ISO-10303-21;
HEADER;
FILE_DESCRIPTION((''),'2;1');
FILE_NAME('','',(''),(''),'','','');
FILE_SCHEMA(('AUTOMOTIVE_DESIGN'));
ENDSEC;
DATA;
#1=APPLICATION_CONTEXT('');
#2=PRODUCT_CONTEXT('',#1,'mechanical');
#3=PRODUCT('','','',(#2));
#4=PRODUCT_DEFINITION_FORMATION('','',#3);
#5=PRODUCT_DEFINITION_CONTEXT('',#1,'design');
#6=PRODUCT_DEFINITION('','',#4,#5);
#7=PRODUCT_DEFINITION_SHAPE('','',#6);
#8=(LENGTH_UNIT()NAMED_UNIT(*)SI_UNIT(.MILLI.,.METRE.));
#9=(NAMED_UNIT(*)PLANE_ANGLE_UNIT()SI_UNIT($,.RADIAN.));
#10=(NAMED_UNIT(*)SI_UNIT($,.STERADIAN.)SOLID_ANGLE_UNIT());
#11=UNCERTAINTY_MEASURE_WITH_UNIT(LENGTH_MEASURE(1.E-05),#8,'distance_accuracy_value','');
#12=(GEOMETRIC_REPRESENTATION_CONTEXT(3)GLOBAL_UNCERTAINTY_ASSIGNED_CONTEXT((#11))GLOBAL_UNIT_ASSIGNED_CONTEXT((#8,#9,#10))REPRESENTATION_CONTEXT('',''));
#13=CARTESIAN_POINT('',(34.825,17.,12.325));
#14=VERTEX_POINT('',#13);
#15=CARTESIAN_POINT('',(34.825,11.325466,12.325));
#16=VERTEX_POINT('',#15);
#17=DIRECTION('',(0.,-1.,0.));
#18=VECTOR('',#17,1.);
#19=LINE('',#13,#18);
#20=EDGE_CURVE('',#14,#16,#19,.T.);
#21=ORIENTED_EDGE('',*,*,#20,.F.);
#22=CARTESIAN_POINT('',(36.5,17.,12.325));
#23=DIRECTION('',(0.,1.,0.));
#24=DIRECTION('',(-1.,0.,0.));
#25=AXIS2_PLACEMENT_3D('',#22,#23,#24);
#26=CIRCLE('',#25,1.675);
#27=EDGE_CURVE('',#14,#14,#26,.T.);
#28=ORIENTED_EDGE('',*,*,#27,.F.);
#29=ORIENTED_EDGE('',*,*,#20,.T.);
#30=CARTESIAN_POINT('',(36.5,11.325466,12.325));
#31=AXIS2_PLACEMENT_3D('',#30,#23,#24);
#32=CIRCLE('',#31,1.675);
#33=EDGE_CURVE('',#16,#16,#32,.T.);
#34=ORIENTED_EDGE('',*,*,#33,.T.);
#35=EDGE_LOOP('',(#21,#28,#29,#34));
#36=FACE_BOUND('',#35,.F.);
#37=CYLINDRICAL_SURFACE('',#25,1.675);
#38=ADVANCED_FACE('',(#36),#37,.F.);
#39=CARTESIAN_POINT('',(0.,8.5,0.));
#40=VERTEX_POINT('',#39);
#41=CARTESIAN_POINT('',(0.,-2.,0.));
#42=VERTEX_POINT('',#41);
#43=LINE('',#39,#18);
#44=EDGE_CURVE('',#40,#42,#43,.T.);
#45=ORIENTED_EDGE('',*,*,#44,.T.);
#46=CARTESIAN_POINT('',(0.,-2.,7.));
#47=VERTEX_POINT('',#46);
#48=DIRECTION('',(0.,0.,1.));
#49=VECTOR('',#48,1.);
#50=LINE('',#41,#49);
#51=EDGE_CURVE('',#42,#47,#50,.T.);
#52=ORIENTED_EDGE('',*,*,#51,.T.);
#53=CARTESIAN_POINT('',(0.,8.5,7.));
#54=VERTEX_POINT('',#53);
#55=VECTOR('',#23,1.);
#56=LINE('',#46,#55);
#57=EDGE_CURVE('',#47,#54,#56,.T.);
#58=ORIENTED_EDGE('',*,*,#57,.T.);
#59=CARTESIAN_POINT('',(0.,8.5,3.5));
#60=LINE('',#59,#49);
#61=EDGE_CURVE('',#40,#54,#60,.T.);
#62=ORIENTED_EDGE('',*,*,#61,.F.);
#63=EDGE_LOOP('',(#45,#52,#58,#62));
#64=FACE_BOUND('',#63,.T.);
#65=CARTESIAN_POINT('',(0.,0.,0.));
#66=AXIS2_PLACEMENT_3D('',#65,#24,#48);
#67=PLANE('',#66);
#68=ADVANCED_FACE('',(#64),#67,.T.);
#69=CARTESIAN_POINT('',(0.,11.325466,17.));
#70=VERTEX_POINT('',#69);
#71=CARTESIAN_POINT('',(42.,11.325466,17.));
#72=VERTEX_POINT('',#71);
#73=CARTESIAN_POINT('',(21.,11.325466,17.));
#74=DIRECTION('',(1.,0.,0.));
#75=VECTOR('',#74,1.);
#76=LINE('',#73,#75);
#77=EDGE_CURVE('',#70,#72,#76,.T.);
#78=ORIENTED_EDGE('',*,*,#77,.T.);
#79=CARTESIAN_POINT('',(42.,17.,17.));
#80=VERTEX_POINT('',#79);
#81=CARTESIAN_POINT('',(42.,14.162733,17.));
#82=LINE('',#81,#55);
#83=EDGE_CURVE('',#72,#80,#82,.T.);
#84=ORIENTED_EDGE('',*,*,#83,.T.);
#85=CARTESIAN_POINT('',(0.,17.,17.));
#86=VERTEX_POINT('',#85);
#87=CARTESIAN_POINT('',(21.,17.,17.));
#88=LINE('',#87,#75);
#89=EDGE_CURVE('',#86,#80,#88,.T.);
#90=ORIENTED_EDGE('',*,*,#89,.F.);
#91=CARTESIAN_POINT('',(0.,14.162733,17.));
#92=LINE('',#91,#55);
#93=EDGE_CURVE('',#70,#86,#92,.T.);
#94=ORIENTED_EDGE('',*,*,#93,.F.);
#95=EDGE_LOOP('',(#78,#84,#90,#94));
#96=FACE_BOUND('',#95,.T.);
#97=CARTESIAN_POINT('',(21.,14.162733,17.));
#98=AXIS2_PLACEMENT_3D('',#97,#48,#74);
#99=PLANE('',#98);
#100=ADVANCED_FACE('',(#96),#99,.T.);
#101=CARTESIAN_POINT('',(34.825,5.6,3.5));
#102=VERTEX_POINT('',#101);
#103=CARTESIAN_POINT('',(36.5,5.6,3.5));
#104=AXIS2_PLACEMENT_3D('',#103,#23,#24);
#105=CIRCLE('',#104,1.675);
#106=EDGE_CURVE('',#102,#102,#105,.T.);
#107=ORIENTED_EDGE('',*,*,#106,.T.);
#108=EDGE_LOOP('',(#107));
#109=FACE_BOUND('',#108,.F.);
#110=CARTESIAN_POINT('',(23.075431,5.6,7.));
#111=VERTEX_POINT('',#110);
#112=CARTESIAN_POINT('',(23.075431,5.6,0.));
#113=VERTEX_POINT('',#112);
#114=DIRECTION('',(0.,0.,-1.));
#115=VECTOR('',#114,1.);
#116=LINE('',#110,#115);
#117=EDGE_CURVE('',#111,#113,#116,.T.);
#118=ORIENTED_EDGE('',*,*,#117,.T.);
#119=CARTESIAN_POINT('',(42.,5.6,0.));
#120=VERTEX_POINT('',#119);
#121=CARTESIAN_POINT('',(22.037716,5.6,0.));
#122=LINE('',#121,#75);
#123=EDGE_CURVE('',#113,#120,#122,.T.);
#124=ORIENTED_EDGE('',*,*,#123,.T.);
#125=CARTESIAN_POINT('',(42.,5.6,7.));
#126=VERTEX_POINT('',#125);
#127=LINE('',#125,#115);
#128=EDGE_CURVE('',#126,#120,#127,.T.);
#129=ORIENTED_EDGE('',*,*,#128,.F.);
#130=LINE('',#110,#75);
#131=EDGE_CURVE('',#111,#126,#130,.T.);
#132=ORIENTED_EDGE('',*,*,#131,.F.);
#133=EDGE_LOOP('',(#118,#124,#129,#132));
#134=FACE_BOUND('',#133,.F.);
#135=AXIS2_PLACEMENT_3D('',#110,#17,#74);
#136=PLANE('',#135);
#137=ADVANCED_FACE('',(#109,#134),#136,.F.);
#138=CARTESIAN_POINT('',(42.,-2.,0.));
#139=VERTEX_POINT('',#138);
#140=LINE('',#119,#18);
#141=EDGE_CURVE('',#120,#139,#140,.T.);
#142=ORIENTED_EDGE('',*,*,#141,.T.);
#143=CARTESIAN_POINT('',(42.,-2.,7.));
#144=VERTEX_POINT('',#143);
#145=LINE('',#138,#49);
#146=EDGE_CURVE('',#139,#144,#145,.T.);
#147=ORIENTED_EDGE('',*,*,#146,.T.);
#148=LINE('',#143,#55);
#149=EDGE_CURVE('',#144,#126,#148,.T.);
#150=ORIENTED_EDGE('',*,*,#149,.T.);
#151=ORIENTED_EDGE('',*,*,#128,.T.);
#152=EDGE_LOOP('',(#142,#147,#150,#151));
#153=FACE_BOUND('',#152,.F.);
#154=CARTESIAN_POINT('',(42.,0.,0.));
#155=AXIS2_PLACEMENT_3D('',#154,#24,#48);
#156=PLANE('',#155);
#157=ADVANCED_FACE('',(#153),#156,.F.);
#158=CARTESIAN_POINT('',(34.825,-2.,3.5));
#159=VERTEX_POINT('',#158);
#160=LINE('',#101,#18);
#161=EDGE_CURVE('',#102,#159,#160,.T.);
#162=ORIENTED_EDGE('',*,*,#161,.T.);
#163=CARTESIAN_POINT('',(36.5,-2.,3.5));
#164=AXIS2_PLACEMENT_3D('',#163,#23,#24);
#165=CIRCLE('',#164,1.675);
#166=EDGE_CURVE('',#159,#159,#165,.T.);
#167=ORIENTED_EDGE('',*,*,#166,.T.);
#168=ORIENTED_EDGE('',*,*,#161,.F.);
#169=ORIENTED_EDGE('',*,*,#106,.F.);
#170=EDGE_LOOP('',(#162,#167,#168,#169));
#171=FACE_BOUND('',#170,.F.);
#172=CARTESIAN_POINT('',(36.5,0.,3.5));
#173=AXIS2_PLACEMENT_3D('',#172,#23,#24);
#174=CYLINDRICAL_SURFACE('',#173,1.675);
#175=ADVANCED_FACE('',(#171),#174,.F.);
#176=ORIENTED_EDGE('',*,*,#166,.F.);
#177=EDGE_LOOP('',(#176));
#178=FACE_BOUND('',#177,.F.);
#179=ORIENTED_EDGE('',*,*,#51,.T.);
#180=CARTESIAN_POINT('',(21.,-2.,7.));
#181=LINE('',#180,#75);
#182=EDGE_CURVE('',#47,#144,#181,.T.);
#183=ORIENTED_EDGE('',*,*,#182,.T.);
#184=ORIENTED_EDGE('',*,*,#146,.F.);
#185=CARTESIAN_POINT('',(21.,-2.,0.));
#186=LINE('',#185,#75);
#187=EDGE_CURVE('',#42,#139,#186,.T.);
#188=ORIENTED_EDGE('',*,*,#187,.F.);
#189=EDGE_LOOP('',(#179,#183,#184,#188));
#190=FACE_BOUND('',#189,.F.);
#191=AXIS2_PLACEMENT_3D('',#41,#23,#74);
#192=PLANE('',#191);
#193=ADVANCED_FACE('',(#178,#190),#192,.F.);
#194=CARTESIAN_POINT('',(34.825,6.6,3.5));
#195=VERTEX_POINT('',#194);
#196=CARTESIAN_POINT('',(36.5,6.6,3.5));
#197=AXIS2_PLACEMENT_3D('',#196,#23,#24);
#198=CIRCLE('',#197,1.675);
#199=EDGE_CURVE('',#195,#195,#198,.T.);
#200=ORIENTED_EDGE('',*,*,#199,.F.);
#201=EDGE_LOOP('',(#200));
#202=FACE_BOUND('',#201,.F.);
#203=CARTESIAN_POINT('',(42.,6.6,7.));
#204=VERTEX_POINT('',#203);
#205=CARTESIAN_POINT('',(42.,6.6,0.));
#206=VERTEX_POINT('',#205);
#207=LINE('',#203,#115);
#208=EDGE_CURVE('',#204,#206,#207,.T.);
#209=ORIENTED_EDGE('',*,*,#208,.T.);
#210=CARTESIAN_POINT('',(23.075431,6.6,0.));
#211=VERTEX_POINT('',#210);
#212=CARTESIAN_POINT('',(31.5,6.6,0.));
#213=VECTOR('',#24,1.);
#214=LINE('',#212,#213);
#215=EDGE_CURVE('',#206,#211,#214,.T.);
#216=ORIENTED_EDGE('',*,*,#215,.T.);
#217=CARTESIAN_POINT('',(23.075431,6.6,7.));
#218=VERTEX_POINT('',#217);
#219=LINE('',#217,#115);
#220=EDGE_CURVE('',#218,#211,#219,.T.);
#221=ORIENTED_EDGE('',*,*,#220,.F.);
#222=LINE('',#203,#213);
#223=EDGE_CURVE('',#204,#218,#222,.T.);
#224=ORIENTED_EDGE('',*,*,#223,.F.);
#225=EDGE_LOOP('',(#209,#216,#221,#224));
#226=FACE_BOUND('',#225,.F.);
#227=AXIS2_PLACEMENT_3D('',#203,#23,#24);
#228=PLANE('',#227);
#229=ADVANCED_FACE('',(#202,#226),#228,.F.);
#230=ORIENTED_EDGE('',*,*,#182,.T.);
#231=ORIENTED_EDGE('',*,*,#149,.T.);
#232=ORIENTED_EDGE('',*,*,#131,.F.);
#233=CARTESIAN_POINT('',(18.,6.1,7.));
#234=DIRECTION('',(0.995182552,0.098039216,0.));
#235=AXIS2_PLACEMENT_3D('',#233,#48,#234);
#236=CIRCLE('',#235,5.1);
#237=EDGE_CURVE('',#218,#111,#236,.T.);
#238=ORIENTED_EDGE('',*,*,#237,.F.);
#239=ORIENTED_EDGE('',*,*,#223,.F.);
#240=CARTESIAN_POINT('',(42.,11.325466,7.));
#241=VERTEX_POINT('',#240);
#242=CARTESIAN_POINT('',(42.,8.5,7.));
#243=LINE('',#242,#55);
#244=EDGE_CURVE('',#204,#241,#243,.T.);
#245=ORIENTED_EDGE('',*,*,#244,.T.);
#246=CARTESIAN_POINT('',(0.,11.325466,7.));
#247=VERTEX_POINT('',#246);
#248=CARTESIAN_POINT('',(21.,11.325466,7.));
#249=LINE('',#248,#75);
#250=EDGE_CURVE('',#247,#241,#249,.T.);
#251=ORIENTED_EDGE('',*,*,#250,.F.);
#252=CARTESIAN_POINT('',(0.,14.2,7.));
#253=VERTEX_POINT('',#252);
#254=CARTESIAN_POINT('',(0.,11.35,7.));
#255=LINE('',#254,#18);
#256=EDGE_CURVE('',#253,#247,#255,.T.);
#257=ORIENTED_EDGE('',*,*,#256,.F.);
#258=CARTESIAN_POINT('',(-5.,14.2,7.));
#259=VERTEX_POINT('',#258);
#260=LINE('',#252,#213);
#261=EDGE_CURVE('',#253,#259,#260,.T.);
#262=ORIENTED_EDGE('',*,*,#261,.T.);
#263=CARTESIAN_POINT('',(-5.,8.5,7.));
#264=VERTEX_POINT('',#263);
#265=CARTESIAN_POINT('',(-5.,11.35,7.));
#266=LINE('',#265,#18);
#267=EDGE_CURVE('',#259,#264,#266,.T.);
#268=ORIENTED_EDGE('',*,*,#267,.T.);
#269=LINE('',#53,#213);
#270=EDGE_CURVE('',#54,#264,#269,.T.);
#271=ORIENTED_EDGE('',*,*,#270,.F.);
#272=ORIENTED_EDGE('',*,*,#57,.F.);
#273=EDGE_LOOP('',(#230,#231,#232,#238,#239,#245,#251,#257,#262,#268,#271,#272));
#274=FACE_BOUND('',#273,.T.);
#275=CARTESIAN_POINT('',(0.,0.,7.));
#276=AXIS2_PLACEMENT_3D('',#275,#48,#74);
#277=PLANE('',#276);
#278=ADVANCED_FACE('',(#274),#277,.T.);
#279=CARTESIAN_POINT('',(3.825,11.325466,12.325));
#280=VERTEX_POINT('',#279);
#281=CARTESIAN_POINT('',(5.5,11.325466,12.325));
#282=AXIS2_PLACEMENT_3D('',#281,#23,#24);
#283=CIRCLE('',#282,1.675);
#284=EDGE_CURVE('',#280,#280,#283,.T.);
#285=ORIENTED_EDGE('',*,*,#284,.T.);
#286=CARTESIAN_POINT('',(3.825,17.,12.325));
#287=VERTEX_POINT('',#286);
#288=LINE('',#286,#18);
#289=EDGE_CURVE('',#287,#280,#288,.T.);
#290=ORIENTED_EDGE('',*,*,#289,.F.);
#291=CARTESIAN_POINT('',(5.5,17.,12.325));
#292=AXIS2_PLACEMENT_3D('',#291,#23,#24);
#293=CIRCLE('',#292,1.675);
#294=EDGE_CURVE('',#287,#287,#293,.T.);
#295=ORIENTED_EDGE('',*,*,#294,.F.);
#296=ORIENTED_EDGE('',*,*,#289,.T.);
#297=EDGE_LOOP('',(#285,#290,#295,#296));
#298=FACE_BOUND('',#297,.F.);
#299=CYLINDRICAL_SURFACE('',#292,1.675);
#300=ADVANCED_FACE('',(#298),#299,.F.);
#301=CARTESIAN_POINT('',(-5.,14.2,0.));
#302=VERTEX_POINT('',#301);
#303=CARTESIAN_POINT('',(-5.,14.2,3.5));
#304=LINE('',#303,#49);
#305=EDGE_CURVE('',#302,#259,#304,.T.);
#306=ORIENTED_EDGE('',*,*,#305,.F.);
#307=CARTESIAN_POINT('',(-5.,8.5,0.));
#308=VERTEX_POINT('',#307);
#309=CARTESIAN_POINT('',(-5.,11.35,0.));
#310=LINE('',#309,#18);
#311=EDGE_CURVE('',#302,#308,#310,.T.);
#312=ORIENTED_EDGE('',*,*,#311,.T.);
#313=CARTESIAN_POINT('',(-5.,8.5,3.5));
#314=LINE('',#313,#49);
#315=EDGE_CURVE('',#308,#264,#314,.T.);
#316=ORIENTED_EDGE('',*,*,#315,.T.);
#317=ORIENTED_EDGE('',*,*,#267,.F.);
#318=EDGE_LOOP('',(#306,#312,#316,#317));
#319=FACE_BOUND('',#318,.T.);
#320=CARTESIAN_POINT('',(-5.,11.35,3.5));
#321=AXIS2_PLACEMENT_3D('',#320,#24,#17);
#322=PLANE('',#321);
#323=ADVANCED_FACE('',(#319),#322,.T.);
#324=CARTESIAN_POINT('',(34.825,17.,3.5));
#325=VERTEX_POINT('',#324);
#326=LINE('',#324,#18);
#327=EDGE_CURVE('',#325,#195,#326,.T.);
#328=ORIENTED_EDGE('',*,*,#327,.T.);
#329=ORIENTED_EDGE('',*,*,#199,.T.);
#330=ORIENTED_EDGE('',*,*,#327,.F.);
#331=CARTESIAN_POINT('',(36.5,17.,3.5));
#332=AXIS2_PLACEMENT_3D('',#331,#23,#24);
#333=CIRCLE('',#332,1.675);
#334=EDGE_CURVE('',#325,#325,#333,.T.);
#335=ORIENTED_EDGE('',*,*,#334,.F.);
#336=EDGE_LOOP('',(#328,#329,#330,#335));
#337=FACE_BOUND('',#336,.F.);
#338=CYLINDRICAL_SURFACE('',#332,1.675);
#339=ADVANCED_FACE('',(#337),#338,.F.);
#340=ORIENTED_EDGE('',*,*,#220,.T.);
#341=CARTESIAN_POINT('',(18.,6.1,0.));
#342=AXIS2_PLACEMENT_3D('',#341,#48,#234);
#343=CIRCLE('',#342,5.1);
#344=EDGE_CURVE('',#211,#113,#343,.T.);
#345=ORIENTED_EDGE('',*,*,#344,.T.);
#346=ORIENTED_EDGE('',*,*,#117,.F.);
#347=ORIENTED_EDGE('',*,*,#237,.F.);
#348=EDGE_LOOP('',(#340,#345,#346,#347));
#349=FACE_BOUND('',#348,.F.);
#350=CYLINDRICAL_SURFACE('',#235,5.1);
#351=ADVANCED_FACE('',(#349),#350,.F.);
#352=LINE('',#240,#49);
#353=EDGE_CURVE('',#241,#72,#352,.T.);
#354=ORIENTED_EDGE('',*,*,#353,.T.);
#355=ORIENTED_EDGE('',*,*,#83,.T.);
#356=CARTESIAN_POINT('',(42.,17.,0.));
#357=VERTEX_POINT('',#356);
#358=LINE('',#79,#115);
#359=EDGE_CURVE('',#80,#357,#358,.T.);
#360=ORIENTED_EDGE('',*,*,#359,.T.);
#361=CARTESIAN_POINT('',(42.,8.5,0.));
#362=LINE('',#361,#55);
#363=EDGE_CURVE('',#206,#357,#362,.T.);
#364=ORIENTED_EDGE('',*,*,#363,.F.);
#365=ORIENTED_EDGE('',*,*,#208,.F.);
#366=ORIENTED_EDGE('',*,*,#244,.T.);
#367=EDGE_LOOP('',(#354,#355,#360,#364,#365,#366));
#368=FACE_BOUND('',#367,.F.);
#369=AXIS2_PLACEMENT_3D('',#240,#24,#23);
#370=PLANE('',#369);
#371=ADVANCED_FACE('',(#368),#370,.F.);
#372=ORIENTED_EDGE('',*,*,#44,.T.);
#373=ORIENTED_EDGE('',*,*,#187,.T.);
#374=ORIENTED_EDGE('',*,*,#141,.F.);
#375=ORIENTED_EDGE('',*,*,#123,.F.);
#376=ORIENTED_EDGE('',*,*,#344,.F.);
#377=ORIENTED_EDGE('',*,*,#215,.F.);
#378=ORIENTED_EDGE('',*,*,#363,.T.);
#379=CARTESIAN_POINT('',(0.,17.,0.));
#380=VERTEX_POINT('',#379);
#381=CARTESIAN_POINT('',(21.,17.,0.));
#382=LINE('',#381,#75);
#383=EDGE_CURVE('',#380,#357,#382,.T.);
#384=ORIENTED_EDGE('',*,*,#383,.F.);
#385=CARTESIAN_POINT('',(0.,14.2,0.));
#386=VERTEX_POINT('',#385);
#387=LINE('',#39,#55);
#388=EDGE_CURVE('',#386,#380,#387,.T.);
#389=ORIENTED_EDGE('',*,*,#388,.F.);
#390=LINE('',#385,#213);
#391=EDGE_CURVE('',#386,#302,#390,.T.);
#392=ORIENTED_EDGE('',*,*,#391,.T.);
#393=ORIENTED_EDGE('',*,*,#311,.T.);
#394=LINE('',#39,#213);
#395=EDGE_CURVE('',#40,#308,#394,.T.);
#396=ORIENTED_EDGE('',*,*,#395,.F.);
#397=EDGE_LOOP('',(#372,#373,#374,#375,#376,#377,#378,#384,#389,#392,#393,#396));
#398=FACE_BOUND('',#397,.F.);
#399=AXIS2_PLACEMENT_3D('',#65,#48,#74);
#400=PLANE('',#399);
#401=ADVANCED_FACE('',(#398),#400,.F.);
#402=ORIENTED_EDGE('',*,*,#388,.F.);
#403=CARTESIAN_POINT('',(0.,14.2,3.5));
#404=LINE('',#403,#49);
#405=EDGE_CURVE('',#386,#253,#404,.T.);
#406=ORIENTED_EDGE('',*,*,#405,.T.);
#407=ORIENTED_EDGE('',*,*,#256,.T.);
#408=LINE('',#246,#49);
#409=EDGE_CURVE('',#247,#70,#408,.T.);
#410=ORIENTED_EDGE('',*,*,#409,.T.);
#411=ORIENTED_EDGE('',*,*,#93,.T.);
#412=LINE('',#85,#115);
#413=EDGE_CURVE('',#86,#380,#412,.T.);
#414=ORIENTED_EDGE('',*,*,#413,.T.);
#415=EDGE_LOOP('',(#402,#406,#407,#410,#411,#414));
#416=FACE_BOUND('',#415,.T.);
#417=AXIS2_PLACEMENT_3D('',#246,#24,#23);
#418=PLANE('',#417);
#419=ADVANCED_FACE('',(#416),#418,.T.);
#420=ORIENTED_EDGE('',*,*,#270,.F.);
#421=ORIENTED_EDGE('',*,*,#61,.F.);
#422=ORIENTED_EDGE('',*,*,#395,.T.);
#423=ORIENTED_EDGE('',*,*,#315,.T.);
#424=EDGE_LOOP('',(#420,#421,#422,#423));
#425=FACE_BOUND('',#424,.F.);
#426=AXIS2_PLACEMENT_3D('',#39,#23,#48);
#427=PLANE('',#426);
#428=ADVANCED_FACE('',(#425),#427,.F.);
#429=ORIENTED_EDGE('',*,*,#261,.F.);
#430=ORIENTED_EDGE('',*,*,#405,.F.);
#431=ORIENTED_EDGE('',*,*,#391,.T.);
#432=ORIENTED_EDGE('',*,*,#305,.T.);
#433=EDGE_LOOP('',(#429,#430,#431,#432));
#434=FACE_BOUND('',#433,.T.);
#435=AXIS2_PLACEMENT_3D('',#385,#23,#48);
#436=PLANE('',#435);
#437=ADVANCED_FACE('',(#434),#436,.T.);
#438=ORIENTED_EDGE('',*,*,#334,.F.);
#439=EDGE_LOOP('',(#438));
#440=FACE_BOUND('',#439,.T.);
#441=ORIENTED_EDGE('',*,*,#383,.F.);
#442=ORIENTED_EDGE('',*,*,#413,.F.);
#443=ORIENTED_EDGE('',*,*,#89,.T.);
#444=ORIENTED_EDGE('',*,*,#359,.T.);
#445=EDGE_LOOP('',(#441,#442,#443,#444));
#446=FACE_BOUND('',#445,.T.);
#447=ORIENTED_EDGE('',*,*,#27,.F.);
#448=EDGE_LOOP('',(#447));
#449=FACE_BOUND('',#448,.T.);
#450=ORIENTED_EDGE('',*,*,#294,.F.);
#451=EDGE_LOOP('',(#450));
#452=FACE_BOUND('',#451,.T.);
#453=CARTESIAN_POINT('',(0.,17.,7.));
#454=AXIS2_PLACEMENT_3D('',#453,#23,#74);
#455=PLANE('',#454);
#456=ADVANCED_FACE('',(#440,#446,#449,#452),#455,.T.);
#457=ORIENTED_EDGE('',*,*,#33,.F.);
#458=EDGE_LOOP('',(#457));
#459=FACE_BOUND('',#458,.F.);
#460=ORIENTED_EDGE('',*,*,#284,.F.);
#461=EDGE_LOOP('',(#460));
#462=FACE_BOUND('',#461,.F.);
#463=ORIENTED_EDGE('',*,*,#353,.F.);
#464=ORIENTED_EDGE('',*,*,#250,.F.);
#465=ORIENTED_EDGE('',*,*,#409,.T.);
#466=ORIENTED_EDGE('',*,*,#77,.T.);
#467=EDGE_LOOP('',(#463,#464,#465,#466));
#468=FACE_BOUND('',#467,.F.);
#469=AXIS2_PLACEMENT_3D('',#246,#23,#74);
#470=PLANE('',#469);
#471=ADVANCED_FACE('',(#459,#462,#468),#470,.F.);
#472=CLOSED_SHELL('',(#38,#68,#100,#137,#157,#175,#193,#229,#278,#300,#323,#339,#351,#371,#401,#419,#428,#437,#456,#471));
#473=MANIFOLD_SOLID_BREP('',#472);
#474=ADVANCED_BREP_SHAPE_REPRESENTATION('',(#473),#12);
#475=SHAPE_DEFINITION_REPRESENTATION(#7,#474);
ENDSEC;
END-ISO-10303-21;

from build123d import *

# Parameters (mm, degrees)
F0_W      = 42
F0_H      = 17
F1_DEPTH  = 7
F4_DEPTH  = 25
F5_W      = 42
F5_H      = 5.6745335534
F6_DEPTH  = 10
F7_R      = 1.675
F8_DEPTH  = 25
F9_DEPTH  = 25
F10_W     = 5.7
F10_H     = 7
F11_DEPTH = 5
F12_DEPTH = 2


with BuildPart() as f1:
    # F0 (on Top) → F1 (new body)
    with BuildSketch(Plane.XY):
        with Locations((21, 8.5)):
            Rectangle(F0_W, F0_H)
    extrude(amount=F1_DEPTH)

    # F3 (on face) → F4 (cut)
    with BuildSketch(Plane(origin=(0, 17, 0), x_dir=(-1, 0, 0), z_dir=(0, 1, 0))):
        with BuildLine():
            ThreePointArc((-38.175, 3.5), (-36.5, 1.825), (-34.825, 3.5))
            ThreePointArc((-34.825, 3.5), (-36.5, 5.175), (-38.175, 3.5))
        make_face()
    extrude(amount=-F4_DEPTH, mode=Mode.SUBTRACT)

    # F5 (on face) → F6 (join)
    with BuildSketch(Plane.XY.offset(7)):
        with Locations((21, 14.1627332233)):
            Rectangle(F5_W, F5_H)
    extrude(amount=F6_DEPTH)

    # F7 (on face) → F8 (cut)
    with BuildSketch(Plane(origin=(0, 17, 0), x_dir=(-1, 0, 0), z_dir=(0, 1, 0))):
        with Locations((-36.5, 12.325)):
            Circle(F7_R)
        with Locations((-5.5, 12.325)):
            Circle(F7_R)
    extrude(amount=-F8_DEPTH, mode=Mode.SUBTRACT)

    # F2 (on face) → F9 (cut)
    with BuildSketch(Plane.XY.offset(7)):
        with BuildLine():
            ThreePointArc((23.0754310162, 5.6), (23.0938540508, 5.8496983645), (23.1, 6.1))
            ThreePointArc((23.1, 6.1), (23.0938540508, 6.3503016355), (23.0754310162, 6.6))
            ThreePointArc((23.0754310162, 6.6), (12.9, 6.1), (23.0754310162, 5.6))
        make_face()
        with BuildLine():
            Line((42, 6.1), (23.1, 6.1))
            ThreePointArc((23.1, 6.1), (23.0938540508, 5.8496983645), (23.0754310162, 5.6))
            Line((23.0754310162, 5.6), (42, 5.6))
            Line((42, 5.6), (42, 6.1))
        make_face()
        with BuildLine():
            ThreePointArc((23.0754310162, 6.6), (23.0938540508, 6.3503016355), (23.1, 6.1))
            Line((23.1, 6.1), (42, 6.1))
            Line((42, 6.1), (42, 6.6))
            Line((42, 6.6), (23.0754310162, 6.6))
        make_face()
    extrude(amount=-F9_DEPTH, mode=Mode.SUBTRACT)

    # F10 (on face) → F11 (join)
    with BuildSketch(Plane(origin=(0, 0, 0), x_dir=(0, -1, 0), z_dir=(-1, 0, 0))):
        with Locations((-11.35, 3.5)):
            Rectangle(F10_W, F10_H)
    extrude(amount=F11_DEPTH)

    # F12 (add): a face of the model
    f12_faces = [f1.faces().sort_by_distance(p)[0] for p in [
        (20.5209474116, 0, 3.5),
    ]]
    extrude(f12_faces, amount=F12_DEPTH)


solid = f1.part
